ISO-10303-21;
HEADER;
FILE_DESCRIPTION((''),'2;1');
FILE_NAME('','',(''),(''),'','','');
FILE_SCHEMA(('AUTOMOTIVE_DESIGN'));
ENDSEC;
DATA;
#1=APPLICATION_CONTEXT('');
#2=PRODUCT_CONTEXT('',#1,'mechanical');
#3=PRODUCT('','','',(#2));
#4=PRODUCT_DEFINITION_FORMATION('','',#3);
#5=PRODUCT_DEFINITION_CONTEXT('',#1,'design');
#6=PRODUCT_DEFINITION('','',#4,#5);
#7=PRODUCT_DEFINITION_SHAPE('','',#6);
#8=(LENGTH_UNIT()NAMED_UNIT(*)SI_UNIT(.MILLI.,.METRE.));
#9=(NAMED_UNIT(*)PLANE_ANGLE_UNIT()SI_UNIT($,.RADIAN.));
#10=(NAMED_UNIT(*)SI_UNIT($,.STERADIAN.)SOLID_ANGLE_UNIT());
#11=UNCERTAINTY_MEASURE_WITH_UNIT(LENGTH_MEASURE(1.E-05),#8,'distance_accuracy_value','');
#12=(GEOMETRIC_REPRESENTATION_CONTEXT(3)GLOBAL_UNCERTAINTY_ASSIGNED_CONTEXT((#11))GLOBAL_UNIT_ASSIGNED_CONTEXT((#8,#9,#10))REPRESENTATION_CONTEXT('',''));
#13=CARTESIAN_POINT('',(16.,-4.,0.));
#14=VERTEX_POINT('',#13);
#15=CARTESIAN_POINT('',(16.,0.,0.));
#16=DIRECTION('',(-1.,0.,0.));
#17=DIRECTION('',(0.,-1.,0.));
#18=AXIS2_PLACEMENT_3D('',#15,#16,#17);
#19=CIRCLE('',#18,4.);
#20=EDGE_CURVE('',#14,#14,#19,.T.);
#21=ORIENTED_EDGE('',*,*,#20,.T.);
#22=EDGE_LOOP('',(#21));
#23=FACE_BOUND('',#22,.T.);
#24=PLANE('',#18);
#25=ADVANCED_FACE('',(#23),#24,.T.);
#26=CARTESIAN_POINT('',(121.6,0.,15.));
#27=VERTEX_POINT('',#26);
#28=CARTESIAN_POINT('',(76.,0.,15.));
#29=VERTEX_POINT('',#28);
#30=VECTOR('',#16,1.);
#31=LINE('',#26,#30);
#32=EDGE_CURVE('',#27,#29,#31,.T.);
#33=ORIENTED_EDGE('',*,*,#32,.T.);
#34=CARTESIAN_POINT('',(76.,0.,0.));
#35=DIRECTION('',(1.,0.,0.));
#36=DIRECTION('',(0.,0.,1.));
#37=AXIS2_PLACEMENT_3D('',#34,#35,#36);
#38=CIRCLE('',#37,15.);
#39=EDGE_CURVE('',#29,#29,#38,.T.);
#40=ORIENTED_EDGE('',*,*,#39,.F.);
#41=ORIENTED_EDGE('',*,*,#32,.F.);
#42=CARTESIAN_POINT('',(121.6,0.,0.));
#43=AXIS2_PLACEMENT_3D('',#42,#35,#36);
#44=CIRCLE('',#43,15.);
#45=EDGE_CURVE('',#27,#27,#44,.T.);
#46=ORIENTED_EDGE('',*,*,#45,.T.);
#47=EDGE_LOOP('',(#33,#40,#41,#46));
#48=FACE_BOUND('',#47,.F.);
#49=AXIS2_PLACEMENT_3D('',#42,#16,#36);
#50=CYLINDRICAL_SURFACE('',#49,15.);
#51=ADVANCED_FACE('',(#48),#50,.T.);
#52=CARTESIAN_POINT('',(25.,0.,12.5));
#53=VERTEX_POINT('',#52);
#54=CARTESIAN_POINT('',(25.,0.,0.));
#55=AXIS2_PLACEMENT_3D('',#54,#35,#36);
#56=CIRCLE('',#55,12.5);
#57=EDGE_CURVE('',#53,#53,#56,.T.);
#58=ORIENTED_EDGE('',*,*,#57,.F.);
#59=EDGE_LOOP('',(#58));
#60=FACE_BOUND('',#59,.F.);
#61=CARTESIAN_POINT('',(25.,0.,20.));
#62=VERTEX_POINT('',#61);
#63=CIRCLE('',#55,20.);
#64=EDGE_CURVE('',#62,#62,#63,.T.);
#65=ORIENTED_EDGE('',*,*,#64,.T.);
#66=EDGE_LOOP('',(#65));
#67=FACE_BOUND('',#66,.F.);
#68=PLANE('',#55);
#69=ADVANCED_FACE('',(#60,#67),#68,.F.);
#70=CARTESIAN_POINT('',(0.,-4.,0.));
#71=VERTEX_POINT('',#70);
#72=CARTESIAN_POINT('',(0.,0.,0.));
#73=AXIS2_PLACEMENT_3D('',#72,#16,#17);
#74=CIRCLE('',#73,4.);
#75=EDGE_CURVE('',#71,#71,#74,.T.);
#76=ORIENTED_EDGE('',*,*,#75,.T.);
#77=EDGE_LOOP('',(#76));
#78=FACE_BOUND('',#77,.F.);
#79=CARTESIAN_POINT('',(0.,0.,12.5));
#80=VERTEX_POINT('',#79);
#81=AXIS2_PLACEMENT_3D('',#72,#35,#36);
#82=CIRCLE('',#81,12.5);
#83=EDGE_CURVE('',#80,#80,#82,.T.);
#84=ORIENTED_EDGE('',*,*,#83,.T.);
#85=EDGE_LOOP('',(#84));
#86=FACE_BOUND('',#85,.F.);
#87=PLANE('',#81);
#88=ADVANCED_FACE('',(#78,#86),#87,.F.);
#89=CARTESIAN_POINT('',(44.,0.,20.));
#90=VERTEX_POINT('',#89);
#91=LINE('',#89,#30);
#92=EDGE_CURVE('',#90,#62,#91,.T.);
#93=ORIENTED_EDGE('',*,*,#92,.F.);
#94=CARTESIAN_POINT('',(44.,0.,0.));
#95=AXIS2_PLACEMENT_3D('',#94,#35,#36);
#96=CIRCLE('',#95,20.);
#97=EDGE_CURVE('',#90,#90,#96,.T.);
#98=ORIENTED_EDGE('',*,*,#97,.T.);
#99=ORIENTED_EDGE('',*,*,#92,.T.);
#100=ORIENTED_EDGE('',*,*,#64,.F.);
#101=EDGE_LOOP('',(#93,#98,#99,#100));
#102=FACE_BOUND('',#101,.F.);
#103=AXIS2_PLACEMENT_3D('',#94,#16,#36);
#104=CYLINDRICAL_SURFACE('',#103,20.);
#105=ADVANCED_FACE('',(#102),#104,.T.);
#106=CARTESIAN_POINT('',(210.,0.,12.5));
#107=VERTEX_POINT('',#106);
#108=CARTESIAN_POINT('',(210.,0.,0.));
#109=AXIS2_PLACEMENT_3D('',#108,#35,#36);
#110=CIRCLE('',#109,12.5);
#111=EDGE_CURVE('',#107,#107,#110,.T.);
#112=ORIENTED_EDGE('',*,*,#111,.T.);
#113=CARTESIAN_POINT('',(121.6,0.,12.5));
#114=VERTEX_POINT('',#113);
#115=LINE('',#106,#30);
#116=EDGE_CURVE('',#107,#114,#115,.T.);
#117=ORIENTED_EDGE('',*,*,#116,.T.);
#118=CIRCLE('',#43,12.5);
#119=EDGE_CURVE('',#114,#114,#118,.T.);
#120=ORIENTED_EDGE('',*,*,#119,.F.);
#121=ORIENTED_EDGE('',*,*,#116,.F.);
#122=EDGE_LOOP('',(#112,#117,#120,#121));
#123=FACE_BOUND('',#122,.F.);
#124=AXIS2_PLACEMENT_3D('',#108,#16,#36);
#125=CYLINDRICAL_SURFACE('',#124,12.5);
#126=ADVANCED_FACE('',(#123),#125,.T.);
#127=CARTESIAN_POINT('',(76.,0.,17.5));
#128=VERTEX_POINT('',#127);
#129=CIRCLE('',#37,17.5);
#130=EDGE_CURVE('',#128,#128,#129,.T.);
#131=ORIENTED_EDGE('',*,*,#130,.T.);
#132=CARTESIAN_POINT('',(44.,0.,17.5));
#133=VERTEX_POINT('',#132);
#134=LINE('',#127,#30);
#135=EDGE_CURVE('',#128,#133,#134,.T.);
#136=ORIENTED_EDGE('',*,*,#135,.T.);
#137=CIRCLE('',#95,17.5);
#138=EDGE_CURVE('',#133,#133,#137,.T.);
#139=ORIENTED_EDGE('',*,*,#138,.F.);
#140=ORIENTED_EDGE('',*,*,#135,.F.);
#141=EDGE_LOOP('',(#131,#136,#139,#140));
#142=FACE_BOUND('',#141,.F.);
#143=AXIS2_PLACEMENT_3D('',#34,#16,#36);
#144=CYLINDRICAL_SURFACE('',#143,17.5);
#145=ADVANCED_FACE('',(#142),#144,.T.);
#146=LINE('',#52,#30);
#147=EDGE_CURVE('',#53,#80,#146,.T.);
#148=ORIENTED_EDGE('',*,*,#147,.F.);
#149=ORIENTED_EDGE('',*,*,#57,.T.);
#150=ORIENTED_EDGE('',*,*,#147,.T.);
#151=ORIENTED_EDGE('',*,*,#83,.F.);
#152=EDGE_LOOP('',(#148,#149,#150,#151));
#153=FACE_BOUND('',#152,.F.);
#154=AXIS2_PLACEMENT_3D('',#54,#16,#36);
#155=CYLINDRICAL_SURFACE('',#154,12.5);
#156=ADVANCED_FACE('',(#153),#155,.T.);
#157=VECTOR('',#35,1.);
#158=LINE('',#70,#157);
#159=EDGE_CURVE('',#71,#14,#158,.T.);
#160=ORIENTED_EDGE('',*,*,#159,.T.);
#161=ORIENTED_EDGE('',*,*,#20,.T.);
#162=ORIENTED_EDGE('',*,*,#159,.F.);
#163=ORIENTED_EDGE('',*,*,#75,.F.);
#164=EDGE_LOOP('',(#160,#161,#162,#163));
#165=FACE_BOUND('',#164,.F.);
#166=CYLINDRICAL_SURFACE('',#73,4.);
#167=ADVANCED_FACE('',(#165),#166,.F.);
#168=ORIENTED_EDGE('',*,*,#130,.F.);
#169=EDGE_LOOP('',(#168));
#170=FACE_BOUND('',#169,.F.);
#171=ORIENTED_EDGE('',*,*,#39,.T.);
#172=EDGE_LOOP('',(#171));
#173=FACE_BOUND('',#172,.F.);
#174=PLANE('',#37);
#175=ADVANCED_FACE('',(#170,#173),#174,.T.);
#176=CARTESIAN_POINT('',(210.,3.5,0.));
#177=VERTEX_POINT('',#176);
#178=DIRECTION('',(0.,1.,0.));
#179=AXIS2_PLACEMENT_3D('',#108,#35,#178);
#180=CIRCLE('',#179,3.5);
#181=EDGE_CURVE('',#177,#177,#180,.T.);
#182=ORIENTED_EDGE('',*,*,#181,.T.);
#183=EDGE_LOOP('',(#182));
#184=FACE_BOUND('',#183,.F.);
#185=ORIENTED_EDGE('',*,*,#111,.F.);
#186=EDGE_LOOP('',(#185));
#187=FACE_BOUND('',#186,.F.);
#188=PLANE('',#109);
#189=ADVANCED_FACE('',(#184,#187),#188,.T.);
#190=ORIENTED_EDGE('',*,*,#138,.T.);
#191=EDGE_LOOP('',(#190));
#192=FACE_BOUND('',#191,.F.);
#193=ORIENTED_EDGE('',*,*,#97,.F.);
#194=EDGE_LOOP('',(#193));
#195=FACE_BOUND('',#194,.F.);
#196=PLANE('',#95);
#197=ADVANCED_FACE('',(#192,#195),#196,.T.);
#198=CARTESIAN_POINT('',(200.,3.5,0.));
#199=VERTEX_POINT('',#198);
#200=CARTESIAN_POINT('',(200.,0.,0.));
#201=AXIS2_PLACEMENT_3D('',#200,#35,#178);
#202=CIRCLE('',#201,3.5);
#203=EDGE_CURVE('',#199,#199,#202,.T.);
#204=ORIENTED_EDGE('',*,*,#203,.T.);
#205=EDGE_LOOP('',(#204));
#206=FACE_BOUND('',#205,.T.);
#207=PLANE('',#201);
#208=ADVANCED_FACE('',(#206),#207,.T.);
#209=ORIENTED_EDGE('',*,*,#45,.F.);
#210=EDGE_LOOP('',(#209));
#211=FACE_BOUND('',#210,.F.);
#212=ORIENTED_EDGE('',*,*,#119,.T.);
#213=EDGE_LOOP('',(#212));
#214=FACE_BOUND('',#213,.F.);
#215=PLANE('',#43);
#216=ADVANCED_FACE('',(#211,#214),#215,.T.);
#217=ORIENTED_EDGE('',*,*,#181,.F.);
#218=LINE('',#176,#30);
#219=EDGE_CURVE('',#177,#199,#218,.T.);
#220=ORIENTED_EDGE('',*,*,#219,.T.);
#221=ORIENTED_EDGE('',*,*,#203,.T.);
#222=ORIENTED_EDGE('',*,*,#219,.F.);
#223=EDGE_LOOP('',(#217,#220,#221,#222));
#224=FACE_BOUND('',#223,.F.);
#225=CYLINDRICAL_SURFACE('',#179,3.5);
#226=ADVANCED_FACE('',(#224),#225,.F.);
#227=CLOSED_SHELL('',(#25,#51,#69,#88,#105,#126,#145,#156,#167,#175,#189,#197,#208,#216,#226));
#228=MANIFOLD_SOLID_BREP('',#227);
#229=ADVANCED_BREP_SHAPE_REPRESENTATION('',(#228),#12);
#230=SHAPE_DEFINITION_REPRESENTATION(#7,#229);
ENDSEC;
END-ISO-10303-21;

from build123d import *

# Parameters (mm, degrees)
F2_R     = 4
F3_DEPTH = 16
F4_R     = 3.5
F5_DEPTH = 10


with BuildPart() as f1:
    # F0 (on Front) → F1 (revolve)
    with BuildSketch(Plane.XZ):
        Polygon((0, 12.5), (0, 0), (210, 0), (210, 12.5), (121.6, 12.5), (121.6, 15), (76, 15), (76, 17.5), (44, 17.5), (44, 20), (25, 20), (25, 12.5), align=None)
    revolve(axis=Axis((106.720138, 0, 0), (1, 0, 0)))

    # F2 (on face) → F3 (cut)
    with BuildSketch(Plane(origin=(0, 0, 0), x_dir=(0, -1, 0), z_dir=(-1, 0, 0))):
        Circle(F2_R)
    extrude(amount=-F3_DEPTH, mode=Mode.SUBTRACT)

    # F4 (on face) → F5 (cut)
    with BuildSketch(Plane.YZ.offset(210)):
        Circle(F4_R)
    extrude(amount=-F5_DEPTH, mode=Mode.SUBTRACT)


solid = f1.part
